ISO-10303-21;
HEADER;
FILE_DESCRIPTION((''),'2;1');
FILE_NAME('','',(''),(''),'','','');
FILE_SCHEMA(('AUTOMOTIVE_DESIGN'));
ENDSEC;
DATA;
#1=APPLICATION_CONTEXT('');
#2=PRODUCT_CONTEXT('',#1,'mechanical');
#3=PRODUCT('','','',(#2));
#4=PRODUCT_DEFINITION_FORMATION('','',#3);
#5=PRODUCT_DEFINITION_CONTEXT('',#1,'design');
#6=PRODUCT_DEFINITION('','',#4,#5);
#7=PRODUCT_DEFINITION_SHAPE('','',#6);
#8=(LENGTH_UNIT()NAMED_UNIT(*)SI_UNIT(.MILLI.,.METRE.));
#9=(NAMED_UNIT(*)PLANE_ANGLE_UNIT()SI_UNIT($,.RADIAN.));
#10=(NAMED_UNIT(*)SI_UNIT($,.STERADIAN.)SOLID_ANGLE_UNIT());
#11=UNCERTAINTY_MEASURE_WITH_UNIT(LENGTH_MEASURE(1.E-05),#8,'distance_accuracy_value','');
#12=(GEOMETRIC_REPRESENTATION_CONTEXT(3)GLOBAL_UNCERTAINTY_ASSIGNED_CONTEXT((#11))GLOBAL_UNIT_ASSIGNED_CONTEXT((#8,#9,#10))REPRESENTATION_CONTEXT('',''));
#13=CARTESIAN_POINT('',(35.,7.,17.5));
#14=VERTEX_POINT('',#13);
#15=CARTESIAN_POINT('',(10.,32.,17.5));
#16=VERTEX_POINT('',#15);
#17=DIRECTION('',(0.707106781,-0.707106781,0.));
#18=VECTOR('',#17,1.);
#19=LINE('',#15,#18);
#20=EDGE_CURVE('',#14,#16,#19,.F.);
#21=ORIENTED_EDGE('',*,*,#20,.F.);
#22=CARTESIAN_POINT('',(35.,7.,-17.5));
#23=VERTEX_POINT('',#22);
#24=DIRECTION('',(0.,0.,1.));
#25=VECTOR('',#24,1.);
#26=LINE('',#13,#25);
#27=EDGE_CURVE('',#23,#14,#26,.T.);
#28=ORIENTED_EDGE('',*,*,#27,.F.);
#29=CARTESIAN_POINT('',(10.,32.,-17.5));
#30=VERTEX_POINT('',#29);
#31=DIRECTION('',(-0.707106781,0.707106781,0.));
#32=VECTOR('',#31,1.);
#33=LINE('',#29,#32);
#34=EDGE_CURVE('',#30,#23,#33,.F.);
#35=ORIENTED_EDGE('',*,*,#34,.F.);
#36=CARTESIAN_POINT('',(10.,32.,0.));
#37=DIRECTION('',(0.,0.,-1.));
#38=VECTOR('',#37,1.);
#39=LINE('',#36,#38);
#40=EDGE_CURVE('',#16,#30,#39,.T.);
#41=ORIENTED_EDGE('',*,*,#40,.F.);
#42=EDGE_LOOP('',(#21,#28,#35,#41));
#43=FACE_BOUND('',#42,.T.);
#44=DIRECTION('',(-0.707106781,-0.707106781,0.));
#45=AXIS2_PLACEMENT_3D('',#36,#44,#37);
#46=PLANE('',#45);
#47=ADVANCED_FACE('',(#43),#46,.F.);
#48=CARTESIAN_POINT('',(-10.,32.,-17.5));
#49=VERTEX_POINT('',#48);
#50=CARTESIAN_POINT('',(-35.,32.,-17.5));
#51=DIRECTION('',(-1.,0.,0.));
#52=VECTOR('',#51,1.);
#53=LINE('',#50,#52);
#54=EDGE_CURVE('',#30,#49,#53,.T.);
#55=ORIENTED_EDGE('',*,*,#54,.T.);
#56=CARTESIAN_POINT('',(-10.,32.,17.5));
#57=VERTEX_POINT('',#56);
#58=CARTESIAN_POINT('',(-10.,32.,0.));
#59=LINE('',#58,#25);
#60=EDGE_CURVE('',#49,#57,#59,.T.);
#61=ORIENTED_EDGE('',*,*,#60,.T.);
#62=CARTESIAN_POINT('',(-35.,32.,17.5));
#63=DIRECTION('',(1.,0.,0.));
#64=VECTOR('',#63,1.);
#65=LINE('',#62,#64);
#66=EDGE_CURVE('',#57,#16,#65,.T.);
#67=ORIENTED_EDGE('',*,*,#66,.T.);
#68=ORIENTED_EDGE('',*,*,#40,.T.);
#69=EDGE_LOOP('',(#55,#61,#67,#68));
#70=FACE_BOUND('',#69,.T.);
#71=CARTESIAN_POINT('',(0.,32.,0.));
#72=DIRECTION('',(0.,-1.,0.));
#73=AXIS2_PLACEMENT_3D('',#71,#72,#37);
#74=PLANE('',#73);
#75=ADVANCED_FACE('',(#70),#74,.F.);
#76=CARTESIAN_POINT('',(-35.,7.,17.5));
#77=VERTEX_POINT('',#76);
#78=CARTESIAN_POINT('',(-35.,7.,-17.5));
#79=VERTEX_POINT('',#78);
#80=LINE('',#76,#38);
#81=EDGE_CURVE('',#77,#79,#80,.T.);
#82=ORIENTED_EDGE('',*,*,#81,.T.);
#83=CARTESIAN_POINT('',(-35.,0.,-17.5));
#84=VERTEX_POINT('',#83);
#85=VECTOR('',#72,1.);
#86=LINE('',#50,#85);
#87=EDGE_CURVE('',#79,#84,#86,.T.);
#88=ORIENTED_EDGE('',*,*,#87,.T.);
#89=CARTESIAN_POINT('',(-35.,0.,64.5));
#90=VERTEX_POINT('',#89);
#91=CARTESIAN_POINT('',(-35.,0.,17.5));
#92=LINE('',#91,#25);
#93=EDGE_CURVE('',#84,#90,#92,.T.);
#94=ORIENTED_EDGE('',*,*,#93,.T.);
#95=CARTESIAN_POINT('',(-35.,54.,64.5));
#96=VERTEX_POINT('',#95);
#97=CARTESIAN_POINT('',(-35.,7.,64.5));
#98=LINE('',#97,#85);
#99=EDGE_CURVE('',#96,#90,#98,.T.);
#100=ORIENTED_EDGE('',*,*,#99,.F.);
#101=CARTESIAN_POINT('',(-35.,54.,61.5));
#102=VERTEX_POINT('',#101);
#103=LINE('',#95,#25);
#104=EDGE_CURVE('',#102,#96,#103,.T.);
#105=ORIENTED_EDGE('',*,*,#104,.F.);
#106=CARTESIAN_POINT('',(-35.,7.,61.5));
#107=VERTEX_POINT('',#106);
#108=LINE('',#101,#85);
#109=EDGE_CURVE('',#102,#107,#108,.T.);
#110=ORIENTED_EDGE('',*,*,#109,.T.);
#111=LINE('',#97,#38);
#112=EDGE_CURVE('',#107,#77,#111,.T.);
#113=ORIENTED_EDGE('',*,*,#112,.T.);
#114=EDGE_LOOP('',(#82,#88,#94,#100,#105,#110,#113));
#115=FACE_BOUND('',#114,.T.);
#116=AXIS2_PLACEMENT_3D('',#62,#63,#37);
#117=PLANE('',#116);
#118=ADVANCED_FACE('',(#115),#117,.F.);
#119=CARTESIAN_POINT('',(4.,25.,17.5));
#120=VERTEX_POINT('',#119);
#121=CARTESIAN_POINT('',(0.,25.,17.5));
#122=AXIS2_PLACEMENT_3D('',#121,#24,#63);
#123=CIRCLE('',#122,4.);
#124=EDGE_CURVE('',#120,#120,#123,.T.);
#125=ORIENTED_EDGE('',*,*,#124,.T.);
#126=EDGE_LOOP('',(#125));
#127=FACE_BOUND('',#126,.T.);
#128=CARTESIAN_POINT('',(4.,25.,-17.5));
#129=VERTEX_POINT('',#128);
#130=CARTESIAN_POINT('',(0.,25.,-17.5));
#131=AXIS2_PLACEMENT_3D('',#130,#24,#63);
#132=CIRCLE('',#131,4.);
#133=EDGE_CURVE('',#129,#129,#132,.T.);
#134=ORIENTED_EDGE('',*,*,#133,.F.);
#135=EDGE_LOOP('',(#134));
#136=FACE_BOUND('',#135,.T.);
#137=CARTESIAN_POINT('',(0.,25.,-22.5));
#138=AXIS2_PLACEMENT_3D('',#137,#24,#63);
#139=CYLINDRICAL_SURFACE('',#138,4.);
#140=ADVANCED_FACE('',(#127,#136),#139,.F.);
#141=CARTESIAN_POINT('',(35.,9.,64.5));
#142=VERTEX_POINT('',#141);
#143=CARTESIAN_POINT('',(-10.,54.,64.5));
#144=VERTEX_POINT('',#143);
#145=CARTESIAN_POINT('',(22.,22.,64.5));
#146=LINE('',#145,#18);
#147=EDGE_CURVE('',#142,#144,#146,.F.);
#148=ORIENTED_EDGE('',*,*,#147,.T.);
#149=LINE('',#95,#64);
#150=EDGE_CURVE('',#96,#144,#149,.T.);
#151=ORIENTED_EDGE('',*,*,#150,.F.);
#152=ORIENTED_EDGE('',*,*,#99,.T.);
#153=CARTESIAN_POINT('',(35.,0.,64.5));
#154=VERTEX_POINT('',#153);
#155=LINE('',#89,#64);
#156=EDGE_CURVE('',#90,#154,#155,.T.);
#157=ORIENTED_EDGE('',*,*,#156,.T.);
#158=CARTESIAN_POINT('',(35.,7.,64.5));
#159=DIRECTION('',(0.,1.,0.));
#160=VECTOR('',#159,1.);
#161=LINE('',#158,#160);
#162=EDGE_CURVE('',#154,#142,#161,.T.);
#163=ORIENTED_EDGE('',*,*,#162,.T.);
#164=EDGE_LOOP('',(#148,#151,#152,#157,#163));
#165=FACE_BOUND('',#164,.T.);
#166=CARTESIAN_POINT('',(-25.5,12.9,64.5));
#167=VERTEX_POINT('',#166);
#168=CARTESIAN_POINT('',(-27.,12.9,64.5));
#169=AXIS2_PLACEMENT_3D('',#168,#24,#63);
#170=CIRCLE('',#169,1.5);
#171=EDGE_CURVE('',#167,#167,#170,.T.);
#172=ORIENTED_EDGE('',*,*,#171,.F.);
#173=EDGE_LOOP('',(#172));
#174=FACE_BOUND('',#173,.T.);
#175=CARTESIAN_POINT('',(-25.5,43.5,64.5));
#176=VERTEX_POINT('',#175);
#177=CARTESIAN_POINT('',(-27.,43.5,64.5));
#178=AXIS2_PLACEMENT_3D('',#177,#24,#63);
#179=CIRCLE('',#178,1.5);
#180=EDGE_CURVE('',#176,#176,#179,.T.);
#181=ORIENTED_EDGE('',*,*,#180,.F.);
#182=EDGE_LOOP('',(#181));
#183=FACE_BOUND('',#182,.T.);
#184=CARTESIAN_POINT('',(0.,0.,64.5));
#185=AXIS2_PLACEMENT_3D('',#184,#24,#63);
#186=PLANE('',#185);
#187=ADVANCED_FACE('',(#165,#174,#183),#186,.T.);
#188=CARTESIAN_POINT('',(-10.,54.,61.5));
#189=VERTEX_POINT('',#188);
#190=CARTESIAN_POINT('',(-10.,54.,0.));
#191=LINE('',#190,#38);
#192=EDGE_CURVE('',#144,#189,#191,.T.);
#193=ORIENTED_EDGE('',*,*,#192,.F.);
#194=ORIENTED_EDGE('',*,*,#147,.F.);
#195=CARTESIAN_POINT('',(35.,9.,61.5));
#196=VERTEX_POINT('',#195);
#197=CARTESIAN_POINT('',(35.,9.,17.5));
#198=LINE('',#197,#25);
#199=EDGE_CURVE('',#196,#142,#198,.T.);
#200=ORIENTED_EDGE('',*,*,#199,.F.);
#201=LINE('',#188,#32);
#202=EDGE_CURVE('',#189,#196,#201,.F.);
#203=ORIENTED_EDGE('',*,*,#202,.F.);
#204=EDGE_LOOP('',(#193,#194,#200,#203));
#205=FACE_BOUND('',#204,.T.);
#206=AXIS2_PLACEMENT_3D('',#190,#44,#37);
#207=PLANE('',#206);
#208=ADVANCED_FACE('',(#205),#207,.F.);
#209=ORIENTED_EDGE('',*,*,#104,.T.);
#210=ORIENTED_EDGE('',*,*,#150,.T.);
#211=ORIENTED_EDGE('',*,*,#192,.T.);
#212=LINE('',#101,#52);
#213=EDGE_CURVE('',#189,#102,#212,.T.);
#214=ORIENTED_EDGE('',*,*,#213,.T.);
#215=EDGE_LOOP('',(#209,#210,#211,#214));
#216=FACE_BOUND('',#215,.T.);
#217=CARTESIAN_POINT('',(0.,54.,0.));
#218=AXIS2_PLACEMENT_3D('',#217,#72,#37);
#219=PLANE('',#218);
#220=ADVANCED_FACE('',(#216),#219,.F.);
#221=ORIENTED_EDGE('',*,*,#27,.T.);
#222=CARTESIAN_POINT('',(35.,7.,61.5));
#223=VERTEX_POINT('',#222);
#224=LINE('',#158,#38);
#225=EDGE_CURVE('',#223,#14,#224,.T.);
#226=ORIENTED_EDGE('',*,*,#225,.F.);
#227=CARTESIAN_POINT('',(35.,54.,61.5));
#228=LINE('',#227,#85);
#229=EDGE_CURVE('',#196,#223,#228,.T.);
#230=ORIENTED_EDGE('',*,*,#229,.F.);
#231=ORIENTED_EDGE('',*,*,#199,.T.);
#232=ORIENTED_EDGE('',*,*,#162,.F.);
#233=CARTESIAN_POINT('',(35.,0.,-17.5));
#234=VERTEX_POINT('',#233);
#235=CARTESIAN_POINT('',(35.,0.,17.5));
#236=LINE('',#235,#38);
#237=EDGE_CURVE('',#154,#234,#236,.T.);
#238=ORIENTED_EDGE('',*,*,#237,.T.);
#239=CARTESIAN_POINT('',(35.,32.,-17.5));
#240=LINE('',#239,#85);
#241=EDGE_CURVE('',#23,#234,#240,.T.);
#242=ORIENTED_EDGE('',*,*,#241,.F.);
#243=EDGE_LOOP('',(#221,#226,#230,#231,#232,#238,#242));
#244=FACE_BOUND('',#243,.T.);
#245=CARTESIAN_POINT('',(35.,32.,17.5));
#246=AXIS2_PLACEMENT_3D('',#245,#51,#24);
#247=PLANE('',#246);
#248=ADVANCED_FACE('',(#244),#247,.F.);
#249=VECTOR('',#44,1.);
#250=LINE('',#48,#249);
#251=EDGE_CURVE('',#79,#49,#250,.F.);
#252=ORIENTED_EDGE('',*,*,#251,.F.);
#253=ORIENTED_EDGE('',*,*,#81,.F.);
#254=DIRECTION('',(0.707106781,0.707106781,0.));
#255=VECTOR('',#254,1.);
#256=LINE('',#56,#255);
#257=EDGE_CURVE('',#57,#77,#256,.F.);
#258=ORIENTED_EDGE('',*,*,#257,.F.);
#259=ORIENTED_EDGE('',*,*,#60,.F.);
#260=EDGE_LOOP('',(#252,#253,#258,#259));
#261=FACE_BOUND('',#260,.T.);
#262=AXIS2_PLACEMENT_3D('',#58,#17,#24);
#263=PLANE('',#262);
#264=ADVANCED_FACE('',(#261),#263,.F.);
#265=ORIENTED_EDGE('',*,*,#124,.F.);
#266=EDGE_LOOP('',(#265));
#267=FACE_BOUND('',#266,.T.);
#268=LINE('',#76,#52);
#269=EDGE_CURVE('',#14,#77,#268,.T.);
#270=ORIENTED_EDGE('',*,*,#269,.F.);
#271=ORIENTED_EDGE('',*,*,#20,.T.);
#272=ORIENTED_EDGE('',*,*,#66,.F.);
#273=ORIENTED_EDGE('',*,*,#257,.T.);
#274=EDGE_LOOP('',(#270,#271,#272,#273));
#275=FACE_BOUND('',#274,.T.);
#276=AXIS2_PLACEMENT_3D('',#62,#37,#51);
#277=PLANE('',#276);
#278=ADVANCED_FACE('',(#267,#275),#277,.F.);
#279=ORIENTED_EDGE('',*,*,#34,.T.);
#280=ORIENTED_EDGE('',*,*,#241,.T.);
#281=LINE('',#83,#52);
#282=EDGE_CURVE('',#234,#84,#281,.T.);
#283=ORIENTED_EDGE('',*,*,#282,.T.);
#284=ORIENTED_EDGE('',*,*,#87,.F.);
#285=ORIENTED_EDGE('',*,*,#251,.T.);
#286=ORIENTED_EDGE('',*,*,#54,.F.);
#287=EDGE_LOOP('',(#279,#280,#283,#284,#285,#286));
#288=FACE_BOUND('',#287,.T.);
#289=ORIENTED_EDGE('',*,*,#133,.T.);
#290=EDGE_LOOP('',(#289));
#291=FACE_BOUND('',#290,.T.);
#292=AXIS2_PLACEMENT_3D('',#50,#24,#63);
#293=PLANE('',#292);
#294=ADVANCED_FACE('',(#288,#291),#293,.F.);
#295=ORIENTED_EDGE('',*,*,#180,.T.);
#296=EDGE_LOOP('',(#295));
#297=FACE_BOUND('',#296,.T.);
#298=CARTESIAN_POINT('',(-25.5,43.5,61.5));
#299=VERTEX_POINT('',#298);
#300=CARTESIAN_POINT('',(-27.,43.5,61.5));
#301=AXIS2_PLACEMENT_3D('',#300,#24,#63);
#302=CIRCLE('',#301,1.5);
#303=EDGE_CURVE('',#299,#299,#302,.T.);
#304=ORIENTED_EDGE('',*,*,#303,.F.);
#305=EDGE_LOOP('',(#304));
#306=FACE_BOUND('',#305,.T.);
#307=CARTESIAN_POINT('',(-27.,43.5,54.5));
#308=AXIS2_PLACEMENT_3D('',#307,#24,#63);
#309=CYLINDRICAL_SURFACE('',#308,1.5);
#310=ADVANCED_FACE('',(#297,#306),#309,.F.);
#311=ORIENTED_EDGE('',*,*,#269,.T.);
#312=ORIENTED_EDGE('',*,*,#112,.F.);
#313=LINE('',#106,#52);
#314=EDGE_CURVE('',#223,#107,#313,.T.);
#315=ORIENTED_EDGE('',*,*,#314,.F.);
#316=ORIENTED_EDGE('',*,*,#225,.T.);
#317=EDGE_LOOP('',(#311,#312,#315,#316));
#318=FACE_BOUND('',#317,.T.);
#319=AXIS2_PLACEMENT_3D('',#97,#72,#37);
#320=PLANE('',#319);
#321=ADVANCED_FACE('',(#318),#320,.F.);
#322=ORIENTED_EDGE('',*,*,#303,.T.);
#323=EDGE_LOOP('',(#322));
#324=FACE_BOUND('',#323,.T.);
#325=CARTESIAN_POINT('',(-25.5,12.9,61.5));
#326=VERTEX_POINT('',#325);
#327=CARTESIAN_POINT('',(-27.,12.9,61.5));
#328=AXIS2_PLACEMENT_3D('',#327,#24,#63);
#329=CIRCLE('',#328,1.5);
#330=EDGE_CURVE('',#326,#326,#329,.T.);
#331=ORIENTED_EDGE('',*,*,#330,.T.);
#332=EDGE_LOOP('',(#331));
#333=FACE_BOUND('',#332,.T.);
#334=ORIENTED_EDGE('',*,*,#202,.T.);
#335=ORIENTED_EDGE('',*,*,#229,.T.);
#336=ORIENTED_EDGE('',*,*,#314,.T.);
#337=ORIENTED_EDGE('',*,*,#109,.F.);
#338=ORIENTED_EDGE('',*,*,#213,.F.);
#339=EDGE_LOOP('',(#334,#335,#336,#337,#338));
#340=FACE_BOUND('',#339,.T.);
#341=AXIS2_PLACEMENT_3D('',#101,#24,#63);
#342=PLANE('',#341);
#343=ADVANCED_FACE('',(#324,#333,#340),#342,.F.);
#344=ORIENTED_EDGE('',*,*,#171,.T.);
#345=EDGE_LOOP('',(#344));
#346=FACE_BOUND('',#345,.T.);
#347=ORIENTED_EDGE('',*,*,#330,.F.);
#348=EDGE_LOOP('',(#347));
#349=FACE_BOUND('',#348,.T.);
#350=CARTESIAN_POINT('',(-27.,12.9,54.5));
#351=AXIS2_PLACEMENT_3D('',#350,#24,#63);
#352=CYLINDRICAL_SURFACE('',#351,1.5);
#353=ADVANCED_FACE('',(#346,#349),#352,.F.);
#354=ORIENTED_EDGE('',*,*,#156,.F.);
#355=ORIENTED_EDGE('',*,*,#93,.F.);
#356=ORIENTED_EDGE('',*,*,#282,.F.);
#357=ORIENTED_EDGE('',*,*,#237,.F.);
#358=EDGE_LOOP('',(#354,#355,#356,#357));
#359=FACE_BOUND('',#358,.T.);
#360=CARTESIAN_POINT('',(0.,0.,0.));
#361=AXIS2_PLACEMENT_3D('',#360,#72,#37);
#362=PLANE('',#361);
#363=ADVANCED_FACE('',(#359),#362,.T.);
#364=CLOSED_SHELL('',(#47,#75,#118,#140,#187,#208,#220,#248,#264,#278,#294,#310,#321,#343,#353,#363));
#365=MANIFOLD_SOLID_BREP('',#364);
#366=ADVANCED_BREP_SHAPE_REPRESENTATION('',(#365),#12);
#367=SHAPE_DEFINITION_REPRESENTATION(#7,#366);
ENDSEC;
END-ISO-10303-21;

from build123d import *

# Parameters (mm, degrees)
SKETCH1_W           = 70
SKETCH1_H           = 35
BOSS_EXTRUDE1_DEPTH = 32
SKETCH2_R           = 4
CUT_EXTRUDE1_DEPTH  = 40
CHAMFER1_SIZE       = 25
SKETCH3_W           = 70
SKETCH3_H           = 7
BOSS_EXTRUDE2_DEPTH = 47
SKETCH4_W           = 70
SKETCH4_H           = 3
BOSS_EXTRUDE3_DEPTH = 47
SKETCH6_R           = 1.5
CUT_EXTRUDE3_DEPTH  = 10
CHAMFER2_SIZE       = 45


with BuildPart() as part:
    # Sketch1 → Boss-Extrude1 (new body)
    with BuildSketch(Plane(origin=(0, 0, 0), x_dir=(1, 0, 0), z_dir=(0, 1, 0))):
        Rectangle(SKETCH1_W, SKETCH1_H)
    extrude(amount=BOSS_EXTRUDE1_DEPTH)

    # Sketch2 → Cut-Extrude1 (cut)
    with BuildSketch(Plane.XY.offset(17.5)):
        with Locations((0, 25)):
            Circle(SKETCH2_R)
    extrude(amount=-CUT_EXTRUDE1_DEPTH, mode=Mode.SUBTRACT)

    # Chamfer1
    chamfer1_edges = [part.edges().sort_by_distance(p)[0] for p in [
        (-35, 32, 0),
        (35, 32, 0),
    ]]
    chamfer(chamfer1_edges, length=CHAMFER1_SIZE)

    # Sketch3 → Boss-Extrude2 (add)
    with BuildSketch(Plane.XY.offset(17.5)):
        with Locations((0, 3.5)):
            Rectangle(SKETCH3_W, SKETCH3_H)
    extrude(amount=BOSS_EXTRUDE2_DEPTH)

    # Sketch4 → Boss-Extrude3 (add)
    with BuildSketch(Plane(origin=(0, 7, 0), x_dir=(1, 0, 0), z_dir=(0, 1, 0))):
        with Locations((0, -63)):
            Rectangle(SKETCH4_W, SKETCH4_H)
    extrude(amount=BOSS_EXTRUDE3_DEPTH)

    # Sketch6 → Cut-Extrude3 (cut)
    with BuildSketch(Plane.XY.offset(64.5)):
        with Locations((-27, 12.9)):
            Circle(SKETCH6_R)
        with Locations((-27, 43.5)):
            Circle(SKETCH6_R)
    extrude(amount=-CUT_EXTRUDE3_DEPTH, mode=Mode.SUBTRACT)

    # Chamfer2
    chamfer2_edges = [part.edges().sort_by_distance(p)[0] for p in [
        (35, 54, 63),
    ]]
    chamfer(chamfer2_edges, length=CHAMFER2_SIZE)


solid = part.part
